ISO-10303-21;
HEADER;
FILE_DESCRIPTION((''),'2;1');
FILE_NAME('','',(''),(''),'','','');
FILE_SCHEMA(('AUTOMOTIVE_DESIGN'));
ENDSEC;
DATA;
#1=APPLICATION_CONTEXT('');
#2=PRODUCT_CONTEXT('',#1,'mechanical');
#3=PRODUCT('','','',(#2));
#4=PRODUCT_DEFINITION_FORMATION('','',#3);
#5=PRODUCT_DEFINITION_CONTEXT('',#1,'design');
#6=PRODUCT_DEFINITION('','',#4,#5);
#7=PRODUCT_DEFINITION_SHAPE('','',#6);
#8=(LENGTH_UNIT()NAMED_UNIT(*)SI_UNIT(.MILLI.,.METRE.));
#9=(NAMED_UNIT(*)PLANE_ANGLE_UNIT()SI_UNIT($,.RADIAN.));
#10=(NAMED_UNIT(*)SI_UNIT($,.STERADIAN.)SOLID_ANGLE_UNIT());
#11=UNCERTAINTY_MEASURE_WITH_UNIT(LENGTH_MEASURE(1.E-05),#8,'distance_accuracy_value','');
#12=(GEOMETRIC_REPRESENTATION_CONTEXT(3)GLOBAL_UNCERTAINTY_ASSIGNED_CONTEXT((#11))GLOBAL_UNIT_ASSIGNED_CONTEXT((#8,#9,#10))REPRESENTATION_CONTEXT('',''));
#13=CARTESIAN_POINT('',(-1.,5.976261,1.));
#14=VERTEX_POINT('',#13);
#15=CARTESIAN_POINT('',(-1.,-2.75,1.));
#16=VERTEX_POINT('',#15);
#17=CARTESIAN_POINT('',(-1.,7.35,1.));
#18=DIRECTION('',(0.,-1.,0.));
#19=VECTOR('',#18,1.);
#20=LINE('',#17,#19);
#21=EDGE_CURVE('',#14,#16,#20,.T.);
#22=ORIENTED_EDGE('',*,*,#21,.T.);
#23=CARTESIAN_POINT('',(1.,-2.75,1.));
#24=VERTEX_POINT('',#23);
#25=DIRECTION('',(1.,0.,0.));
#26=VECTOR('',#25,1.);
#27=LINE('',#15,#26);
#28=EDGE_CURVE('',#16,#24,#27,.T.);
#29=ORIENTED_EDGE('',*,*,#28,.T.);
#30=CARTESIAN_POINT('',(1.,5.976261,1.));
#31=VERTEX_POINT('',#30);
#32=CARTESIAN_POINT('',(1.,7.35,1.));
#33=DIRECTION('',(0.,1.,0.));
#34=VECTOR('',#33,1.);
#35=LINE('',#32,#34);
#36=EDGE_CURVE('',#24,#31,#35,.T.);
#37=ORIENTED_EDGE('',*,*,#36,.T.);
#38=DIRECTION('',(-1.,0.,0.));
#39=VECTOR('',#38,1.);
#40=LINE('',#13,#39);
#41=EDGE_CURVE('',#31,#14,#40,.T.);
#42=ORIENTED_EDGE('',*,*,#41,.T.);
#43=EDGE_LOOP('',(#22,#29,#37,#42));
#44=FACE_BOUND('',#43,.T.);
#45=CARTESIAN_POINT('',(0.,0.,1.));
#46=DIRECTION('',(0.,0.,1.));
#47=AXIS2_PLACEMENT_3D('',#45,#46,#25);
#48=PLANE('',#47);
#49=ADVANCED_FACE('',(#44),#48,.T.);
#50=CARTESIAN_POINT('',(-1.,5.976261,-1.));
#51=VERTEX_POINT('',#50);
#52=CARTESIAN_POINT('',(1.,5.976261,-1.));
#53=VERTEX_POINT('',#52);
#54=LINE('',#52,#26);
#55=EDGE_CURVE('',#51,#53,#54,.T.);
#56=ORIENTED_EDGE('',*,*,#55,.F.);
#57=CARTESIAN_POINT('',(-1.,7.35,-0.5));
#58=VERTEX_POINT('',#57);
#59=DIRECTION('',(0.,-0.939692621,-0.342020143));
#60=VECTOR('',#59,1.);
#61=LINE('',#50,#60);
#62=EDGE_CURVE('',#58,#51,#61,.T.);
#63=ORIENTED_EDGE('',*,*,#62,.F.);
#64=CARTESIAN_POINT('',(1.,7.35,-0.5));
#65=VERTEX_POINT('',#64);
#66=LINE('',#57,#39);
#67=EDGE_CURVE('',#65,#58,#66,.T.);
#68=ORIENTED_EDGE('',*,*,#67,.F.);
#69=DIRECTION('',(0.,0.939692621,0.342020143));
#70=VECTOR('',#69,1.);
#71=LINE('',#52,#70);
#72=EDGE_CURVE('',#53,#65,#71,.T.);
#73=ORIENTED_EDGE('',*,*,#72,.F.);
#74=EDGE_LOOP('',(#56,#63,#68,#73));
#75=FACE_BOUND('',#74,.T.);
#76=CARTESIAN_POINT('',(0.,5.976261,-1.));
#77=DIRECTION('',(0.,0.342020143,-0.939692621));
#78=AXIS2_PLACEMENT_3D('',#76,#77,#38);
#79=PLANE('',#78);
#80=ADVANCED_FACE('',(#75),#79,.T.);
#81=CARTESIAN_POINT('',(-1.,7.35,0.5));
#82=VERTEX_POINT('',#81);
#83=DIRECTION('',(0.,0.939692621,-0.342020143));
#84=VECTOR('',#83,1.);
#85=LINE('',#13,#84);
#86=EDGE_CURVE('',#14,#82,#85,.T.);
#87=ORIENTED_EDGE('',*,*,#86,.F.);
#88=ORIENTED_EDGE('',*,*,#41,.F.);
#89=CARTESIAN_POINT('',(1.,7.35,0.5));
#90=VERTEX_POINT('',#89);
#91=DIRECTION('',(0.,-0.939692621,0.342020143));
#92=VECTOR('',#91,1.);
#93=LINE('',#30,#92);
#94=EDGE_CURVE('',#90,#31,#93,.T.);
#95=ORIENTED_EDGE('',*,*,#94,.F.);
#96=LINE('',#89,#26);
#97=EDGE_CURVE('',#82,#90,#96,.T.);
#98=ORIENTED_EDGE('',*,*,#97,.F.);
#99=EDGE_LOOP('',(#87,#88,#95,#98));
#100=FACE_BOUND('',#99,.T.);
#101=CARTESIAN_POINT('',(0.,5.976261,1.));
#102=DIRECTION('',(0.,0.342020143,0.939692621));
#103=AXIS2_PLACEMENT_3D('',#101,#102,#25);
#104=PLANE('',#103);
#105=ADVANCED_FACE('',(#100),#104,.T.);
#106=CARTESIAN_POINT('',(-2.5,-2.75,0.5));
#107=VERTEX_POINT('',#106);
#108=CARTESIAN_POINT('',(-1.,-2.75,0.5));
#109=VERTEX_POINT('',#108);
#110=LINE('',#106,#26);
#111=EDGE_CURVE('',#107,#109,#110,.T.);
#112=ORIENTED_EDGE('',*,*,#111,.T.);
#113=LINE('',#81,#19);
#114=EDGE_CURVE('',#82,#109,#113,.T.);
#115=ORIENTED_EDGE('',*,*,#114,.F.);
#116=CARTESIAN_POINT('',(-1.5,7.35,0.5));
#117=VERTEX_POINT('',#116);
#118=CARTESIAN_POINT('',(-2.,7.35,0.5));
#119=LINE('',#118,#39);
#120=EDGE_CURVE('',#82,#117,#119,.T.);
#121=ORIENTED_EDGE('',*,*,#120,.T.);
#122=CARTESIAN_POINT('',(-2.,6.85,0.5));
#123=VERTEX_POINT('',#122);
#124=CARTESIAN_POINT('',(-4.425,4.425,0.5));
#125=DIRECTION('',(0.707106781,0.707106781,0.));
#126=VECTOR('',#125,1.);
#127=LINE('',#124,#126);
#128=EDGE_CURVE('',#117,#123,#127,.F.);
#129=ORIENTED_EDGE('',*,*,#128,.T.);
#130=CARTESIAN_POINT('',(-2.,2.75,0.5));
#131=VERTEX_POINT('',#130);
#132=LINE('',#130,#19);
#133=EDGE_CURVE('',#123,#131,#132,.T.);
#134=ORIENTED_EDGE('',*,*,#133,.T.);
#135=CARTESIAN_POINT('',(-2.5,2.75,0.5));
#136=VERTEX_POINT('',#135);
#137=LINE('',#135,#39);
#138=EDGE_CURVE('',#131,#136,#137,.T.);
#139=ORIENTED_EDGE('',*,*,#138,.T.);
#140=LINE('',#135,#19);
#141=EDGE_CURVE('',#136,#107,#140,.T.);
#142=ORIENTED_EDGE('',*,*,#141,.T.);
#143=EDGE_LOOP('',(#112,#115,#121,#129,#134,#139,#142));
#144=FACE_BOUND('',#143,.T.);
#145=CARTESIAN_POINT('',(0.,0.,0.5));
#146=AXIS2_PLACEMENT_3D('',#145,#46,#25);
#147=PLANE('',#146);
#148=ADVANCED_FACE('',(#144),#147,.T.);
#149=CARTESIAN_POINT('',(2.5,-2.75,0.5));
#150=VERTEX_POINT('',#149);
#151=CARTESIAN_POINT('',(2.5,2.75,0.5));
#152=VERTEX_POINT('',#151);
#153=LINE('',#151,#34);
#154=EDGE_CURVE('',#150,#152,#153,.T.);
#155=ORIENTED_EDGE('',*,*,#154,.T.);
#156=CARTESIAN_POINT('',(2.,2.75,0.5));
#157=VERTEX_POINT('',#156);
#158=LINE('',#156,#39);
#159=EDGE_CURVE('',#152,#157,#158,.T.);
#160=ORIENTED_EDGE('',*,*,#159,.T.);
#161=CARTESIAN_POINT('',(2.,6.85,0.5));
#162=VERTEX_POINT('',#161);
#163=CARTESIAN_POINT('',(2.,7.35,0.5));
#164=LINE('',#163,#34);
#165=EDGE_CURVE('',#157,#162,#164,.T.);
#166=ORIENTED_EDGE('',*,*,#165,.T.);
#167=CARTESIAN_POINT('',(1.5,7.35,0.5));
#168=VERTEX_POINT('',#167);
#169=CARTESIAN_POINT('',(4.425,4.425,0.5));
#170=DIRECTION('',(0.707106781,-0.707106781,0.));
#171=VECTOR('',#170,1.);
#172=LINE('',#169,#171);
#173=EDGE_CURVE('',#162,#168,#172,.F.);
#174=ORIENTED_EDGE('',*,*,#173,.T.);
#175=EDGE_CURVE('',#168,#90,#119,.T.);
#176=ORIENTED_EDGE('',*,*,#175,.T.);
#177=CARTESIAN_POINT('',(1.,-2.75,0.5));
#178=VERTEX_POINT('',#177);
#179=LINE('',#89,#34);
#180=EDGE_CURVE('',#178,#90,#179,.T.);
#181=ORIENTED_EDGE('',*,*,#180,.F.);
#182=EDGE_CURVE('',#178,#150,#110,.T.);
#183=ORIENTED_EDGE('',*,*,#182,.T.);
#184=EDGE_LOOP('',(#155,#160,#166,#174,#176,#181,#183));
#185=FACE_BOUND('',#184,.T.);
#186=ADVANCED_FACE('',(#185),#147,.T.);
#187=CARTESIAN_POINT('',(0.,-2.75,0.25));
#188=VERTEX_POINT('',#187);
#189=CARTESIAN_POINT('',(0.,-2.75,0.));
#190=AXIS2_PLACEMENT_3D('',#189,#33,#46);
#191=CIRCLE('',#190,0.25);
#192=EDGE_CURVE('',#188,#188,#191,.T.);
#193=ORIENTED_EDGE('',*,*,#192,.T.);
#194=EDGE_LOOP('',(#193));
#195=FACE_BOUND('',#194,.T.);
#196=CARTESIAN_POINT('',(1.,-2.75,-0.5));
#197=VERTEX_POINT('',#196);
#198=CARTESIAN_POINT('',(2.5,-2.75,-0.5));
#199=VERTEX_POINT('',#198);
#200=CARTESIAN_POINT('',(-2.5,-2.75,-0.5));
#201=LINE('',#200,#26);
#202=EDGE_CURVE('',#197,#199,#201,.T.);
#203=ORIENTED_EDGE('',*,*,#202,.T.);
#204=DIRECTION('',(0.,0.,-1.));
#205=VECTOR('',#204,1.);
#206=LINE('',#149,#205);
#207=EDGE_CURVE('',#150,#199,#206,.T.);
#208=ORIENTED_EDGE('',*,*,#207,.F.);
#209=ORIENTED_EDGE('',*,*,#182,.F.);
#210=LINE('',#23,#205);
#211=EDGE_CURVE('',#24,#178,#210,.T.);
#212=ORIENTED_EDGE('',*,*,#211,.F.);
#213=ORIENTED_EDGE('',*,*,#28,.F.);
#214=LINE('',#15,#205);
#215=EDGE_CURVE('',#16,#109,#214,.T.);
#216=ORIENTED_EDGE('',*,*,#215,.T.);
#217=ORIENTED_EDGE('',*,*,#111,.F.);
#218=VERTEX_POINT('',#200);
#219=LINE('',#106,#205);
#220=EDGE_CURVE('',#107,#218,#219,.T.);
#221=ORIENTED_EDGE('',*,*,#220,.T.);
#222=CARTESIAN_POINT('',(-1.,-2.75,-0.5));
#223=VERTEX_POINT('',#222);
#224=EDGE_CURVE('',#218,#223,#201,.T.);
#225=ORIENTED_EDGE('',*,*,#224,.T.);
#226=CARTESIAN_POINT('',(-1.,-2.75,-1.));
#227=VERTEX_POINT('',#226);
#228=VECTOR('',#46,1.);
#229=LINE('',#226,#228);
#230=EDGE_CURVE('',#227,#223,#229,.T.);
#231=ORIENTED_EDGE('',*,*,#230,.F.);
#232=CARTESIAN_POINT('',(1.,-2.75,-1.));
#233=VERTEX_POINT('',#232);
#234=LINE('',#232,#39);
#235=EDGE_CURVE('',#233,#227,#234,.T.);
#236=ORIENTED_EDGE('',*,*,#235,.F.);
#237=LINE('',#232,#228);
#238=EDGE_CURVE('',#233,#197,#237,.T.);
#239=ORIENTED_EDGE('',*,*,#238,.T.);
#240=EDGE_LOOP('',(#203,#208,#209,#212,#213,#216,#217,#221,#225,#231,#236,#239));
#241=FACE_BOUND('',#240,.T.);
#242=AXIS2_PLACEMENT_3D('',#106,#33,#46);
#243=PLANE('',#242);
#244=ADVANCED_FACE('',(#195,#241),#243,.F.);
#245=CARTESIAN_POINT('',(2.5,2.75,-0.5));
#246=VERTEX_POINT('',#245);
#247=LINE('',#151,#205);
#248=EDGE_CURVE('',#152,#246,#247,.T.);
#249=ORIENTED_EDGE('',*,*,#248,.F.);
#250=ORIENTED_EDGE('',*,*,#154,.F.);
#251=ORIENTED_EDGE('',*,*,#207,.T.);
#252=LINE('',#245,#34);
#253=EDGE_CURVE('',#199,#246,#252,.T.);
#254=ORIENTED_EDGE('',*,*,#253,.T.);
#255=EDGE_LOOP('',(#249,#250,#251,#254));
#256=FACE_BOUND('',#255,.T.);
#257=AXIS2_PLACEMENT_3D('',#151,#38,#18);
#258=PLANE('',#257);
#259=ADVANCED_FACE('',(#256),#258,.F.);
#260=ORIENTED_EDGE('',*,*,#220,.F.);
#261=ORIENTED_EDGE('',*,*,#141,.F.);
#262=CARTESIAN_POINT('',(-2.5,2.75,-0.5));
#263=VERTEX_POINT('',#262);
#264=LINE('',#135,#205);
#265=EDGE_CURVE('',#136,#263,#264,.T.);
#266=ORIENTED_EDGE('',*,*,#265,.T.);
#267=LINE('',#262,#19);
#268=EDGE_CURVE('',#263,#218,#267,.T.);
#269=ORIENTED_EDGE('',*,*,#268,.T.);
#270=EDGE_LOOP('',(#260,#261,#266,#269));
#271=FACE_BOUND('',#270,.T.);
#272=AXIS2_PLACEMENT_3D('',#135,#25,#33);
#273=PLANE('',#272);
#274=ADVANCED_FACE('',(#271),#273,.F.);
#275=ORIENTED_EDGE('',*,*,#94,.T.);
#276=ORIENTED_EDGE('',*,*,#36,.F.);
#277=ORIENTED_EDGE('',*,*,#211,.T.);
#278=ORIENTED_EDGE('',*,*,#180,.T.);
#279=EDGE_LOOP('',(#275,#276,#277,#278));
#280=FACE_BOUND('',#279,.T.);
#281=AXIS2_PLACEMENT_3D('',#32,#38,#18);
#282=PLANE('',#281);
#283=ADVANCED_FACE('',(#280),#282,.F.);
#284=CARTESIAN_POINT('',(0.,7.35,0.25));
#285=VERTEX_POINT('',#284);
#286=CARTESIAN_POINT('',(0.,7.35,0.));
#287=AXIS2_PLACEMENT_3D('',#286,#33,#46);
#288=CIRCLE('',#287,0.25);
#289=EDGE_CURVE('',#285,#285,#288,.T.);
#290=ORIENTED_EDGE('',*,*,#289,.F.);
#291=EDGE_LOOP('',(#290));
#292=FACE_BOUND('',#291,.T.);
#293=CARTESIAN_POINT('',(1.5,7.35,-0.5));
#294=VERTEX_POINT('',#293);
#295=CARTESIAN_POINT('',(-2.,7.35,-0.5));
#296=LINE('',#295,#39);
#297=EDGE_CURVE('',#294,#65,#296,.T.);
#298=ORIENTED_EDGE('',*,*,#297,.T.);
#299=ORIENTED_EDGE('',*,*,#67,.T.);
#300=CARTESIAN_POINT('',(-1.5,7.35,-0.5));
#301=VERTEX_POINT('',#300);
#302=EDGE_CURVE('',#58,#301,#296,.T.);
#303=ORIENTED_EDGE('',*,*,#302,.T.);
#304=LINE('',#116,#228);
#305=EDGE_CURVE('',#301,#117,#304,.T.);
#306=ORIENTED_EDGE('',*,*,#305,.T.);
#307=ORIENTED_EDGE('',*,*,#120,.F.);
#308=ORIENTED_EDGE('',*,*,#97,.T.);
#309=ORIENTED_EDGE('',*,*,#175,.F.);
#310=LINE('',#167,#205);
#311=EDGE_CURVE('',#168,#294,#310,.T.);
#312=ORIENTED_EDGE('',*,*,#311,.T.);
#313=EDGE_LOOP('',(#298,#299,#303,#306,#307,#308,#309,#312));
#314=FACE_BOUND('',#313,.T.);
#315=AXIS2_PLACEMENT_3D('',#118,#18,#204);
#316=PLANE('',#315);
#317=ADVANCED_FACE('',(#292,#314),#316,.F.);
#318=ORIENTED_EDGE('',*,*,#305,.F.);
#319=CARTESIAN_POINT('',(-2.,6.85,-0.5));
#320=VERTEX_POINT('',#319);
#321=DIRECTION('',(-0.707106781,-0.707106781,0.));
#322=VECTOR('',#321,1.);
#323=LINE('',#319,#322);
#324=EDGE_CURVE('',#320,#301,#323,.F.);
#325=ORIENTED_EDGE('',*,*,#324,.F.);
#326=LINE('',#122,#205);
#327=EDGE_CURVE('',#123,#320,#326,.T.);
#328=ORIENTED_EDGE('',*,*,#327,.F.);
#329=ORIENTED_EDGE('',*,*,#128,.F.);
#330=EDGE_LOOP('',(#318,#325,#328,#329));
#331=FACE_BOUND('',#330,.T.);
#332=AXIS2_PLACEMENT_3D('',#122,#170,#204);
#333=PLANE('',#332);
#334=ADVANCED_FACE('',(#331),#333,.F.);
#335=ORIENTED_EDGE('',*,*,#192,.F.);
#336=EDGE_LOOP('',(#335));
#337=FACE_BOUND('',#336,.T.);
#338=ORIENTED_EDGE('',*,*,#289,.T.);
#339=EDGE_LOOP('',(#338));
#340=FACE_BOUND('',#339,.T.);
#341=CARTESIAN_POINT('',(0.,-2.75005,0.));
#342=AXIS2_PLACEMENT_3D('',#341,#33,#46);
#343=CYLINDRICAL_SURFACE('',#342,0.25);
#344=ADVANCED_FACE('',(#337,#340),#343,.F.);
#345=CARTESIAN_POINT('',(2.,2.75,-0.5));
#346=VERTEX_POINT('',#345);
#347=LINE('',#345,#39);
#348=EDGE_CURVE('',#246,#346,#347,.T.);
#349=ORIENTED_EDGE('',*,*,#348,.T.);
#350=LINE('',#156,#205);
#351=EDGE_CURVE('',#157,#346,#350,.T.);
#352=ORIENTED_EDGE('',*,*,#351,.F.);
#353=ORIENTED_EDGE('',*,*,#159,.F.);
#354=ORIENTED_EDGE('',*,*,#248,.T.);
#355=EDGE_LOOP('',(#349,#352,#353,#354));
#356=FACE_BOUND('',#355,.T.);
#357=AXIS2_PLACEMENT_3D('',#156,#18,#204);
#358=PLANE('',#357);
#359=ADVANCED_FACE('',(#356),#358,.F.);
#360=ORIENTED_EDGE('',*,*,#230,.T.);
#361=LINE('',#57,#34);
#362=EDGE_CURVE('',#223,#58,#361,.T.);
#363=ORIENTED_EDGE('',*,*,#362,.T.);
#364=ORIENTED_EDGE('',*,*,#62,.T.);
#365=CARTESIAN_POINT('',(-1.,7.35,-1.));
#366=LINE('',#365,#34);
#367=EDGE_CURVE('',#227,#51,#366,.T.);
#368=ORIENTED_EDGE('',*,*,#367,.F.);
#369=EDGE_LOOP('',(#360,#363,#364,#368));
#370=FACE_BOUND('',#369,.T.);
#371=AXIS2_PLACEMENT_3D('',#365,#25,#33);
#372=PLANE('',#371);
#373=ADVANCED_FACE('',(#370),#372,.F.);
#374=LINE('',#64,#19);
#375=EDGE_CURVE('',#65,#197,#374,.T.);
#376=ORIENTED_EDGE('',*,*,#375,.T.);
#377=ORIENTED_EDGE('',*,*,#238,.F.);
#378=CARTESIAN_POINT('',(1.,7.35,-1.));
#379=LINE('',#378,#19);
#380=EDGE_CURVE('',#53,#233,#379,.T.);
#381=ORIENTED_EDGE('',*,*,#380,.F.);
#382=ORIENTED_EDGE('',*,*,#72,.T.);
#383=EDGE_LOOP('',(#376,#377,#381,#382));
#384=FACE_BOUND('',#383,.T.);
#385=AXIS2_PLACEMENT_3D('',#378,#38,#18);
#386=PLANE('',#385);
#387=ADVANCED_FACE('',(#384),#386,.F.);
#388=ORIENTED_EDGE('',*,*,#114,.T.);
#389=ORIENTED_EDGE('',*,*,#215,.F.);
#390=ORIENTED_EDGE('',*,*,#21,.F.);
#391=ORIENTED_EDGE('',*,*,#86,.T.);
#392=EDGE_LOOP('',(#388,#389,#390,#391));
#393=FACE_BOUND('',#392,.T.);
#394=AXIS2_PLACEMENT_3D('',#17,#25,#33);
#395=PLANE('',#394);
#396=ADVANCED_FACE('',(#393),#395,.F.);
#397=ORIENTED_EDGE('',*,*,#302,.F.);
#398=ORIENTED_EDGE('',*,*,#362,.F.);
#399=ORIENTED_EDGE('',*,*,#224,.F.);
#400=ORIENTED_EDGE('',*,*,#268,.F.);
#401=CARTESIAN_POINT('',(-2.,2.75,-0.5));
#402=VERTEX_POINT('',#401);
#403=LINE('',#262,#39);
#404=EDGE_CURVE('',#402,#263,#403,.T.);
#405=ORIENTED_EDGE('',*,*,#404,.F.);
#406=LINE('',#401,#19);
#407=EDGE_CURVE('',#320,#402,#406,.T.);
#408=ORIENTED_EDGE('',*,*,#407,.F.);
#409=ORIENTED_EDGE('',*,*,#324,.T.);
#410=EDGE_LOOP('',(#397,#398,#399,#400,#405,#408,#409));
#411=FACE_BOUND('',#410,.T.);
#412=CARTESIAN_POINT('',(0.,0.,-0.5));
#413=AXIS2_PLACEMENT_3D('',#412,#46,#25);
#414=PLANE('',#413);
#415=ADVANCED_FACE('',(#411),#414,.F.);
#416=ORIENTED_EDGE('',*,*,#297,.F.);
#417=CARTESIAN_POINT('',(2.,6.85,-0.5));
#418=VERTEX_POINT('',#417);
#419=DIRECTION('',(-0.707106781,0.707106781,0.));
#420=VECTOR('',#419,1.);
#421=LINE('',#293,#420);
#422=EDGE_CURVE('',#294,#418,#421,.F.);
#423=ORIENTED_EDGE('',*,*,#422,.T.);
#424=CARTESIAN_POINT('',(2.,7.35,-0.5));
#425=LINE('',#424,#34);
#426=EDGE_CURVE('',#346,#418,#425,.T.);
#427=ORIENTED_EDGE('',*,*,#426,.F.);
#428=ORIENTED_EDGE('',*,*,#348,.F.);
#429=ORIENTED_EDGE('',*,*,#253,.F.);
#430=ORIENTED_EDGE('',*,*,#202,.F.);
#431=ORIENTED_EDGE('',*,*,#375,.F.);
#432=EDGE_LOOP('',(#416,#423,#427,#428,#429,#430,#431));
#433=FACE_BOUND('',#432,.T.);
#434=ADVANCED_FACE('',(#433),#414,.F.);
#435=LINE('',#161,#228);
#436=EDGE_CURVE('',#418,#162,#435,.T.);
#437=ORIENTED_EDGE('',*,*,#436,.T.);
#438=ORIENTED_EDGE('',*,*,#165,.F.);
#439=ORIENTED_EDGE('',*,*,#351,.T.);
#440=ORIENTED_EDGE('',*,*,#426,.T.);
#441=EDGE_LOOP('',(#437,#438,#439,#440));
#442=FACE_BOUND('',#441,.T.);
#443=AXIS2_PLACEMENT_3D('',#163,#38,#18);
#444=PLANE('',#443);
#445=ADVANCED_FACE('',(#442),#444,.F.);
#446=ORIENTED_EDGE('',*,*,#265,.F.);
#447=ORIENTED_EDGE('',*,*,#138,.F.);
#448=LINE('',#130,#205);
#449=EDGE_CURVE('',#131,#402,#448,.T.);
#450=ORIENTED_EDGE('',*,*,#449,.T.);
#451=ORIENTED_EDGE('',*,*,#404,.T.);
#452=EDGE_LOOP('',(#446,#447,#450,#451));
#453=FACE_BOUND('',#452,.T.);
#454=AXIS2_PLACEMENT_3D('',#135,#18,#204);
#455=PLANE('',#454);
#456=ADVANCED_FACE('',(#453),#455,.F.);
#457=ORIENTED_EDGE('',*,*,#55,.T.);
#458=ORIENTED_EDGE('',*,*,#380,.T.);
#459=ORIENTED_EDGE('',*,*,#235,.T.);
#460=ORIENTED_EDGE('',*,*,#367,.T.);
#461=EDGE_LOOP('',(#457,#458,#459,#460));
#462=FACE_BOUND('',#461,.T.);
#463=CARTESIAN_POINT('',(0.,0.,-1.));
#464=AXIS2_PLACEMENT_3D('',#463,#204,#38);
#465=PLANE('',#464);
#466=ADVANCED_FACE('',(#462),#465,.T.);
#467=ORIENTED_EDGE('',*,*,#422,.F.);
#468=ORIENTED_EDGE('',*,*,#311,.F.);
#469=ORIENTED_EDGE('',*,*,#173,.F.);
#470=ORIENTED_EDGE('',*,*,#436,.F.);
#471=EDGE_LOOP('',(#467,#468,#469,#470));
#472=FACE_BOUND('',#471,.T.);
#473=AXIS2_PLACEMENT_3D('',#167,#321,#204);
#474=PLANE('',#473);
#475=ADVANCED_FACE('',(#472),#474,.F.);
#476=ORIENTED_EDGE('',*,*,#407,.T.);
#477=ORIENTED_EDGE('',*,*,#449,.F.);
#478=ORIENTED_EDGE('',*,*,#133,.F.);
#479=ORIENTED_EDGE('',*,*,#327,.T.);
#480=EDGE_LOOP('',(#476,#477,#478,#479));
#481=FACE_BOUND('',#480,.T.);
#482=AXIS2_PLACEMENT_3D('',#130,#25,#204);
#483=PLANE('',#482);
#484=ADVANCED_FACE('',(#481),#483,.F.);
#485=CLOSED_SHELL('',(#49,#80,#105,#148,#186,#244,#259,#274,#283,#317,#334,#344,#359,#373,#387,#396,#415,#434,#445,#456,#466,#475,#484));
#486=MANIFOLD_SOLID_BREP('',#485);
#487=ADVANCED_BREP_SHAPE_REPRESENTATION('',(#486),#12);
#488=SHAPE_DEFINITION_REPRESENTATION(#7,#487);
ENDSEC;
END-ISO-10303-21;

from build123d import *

# Parameters (mm, degrees)
AUFSATZ_LINEAR_AUSTRAGEN1_DEPTH = 0.5
SKIZZE2_W                       = 2
SKIZZE2_H                       = 10.1
AUFSATZ_LINEAR_AUSTRAGEN2_DEPTH = 0.5
FASE1_SIZE                      = 0.5
FASE1_SIZE2                     = 1.37373871
SKIZZE3_W                       = 2
SKIZZE3_H                       = 10.1
AUFSATZ_LINEAR_AUSTRAGEN3_DEPTH = 0.5
FASE3_SIZE                      = 0.5
FASE3_SIZE2                     = 1.37373871
FASE4_SIZE                      = 0.5
FASE5_SIZE                      = 0.5
SKIZZE4_R                       = 0.25
SCHNITT_LINEAR_AUSTRAGEN1_DEPTH = 11.1


with BuildPart() as part:
    # Skizze1 → Aufsatz-Linear austragen1 (new body, symmetric)
    with BuildSketch(Plane.XY):
        Polygon((-2, 2.75), (-2, 7.35), (2, 7.35), (2, 2.75), (2.5, 2.75), (2.5, -2.75), (-2.5, -2.75), (-2.5, 2.75), align=None)
    extrude(amount=AUFSATZ_LINEAR_AUSTRAGEN1_DEPTH, both=True)

    # Skizze2 → Aufsatz-Linear austragen2 (add)
    with BuildSketch(Plane.XY.offset(0.5)):
        with Locations((0, 2.3)):
            Rectangle(SKIZZE2_W, SKIZZE2_H)
    extrude(amount=AUFSATZ_LINEAR_AUSTRAGEN2_DEPTH)

    # Fase1
    fase1_edges = [part.edges().sort_by_distance(p)[0] for p in [
        (0, 7.35, 1),
    ]]
    fase1_side = [part.faces().sort_by_distance(p)[0] for p in [
        (0, 7.35, 0.15),
    ]]
    chamfer(fase1_edges, length=FASE1_SIZE, length2=FASE1_SIZE2, reference=fase1_side[0])

    # Skizze3 → Aufsatz-Linear austragen3 (add)
    with BuildSketch(Plane(origin=(0, 0, -0.5), x_dir=(-1, 0, 0), z_dir=(0, 0, -1))):
        with Locations((0, 2.3)):
            Rectangle(SKIZZE3_W, SKIZZE3_H)
    extrude(amount=AUFSATZ_LINEAR_AUSTRAGEN3_DEPTH)

    # Fase3
    fase3_edges = [part.edges().sort_by_distance(p)[0] for p in [
        (0, 7.35, -1),
    ]]
    fase3_side = [part.faces().sort_by_distance(p)[0] for p in [
        (0, 7.35, -0.15),
    ]]
    chamfer(fase3_edges, length=FASE3_SIZE, length2=FASE3_SIZE2, reference=fase3_side[0])

    # Fase4
    fase4_edges = [part.edges().sort_by_distance(p)[0] for p in [
        (-2, 7.35, 0),
    ]]
    chamfer(fase4_edges, length=FASE4_SIZE)

    # Fase5
    fase5_edges = [part.edges().sort_by_distance(p)[0] for p in [
        (2, 7.35, 0),
    ]]
    chamfer(fase5_edges, length=FASE5_SIZE)

    # Skizze4 → Schnitt-Linear austragen1 (cut, through all)
    with BuildSketch(Plane(origin=(0, 7.35, 0), x_dir=(1, 0, 0), z_dir=(0, 1, 0))):
        Circle(SKIZZE4_R)
    extrude(amount=-SCHNITT_LINEAR_AUSTRAGEN1_DEPTH, mode=Mode.SUBTRACT)


solid = part.part
